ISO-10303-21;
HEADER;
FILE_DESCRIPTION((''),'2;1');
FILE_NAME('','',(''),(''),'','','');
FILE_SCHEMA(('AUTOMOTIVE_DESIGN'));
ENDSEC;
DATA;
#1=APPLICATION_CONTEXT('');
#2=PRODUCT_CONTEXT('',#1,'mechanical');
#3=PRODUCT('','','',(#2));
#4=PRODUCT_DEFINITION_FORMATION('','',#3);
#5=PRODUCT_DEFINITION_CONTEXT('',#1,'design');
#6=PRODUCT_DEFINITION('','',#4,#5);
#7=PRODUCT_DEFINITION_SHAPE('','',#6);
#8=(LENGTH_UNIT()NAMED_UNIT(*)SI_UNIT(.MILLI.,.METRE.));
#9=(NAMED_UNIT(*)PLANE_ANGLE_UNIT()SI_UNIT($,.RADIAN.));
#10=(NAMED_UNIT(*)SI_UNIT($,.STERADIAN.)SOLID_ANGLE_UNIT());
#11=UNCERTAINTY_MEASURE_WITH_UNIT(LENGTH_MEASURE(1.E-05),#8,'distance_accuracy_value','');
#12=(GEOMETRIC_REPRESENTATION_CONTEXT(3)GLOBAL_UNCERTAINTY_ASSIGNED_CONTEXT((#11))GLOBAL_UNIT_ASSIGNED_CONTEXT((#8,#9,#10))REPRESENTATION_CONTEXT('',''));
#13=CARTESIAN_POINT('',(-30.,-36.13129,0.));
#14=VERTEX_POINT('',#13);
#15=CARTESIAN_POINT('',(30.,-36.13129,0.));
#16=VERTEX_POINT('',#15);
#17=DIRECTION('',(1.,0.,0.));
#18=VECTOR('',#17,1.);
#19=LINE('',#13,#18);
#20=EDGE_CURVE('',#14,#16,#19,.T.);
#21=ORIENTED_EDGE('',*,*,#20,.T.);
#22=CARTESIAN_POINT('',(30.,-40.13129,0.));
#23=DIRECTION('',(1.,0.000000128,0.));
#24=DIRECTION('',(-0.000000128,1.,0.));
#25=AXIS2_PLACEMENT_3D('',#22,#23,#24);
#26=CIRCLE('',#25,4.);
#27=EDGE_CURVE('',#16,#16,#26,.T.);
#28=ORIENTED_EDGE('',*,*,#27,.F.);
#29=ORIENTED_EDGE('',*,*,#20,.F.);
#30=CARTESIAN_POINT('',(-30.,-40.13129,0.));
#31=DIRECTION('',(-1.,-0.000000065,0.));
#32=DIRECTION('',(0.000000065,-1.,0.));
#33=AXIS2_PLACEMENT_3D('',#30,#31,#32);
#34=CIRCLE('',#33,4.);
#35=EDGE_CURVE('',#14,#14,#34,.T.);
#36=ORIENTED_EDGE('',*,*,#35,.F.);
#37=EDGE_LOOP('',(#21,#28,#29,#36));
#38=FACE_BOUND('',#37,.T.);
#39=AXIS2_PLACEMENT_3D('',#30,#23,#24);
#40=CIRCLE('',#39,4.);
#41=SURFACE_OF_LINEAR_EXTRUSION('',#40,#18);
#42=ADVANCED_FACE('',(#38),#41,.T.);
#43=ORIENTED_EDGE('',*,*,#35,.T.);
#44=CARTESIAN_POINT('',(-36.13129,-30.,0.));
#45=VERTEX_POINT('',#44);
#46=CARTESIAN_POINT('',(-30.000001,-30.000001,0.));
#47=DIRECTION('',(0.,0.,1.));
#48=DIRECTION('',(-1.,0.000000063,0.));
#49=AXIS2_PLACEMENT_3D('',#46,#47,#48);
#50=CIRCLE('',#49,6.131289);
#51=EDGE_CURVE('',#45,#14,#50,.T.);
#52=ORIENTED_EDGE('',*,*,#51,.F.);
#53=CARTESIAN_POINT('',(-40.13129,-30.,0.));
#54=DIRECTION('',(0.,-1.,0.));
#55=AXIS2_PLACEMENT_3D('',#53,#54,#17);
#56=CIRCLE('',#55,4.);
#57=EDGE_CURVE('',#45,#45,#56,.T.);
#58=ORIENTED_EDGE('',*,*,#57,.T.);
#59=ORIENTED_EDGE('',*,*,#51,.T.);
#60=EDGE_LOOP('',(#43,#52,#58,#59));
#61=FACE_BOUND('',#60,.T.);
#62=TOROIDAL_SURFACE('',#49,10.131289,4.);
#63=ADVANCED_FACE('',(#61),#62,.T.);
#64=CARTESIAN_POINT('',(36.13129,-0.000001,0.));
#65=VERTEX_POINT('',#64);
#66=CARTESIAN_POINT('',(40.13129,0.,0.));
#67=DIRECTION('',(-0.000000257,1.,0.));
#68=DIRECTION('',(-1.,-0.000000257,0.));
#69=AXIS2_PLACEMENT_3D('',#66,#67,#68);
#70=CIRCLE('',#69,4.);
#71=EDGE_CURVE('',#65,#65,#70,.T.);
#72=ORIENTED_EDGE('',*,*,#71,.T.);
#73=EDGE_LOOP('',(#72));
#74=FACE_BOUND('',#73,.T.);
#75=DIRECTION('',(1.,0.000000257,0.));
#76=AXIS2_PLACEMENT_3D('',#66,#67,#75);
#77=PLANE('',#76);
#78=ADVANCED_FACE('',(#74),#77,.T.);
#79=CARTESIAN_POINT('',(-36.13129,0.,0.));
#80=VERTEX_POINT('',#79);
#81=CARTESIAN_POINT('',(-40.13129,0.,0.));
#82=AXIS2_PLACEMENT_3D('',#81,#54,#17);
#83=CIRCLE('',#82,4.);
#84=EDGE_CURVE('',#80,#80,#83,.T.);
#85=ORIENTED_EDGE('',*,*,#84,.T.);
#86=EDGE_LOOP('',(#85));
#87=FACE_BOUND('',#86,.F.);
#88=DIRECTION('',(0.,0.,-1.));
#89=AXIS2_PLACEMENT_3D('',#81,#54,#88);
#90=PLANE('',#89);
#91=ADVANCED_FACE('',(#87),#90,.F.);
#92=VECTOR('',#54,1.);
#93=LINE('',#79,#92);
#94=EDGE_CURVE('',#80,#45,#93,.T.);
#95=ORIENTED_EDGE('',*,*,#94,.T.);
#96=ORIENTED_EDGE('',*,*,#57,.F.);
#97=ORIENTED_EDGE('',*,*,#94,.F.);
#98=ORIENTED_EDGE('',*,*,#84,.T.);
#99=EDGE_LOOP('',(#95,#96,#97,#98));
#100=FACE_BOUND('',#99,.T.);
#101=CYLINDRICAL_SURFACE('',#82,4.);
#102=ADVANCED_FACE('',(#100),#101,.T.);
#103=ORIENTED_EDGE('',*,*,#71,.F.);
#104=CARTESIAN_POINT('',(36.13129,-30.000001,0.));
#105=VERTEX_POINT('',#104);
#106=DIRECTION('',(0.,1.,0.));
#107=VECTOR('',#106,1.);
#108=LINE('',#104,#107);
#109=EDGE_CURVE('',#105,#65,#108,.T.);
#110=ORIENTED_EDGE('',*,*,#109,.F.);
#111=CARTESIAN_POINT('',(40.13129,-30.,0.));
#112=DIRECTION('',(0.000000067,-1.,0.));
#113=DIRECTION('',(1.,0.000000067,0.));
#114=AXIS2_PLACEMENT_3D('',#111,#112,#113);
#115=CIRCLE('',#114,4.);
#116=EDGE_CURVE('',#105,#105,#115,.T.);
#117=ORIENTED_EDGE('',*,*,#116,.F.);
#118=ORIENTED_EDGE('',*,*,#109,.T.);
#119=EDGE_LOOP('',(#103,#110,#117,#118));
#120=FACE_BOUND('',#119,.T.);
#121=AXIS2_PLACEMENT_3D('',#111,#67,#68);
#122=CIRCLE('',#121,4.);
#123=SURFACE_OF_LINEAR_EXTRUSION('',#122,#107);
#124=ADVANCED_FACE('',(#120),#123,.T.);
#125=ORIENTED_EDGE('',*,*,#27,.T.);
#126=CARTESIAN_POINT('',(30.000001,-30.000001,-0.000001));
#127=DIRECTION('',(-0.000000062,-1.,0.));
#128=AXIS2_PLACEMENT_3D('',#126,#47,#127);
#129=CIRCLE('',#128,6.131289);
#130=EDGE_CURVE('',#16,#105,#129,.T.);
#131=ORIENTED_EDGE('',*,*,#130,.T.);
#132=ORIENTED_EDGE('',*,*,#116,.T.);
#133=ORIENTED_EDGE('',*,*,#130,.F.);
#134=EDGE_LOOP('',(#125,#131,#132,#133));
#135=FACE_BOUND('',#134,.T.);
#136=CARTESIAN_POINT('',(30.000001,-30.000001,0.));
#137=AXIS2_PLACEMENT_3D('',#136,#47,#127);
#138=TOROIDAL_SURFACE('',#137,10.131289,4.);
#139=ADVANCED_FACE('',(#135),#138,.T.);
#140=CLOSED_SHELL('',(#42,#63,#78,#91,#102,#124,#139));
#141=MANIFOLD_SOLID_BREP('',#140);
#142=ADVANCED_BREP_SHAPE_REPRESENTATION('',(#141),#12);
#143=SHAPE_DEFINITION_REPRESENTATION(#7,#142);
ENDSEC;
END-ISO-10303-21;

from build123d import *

# Parameters (mm, degrees)
F1_R = 4


with BuildPart() as f2:
    # F2: sweep along a path in F0
    with BuildLine(Plane.XY) as f2_path:
        Line((-40, 0), (-40, -30))
        ThreePointArc((-40, -30), (-37.071068, -37.071068), (-30, -40))
        Line((-30, -40), (0, -40))
        Line((0, -40), (30, -40))
        ThreePointArc((30, -40), (37.071068, -37.071068), (40, -30))
        Line((40, -30), (40, 0))
    # F1 (on Front) → F2 (sweep)
    with BuildSketch(Plane.XZ):
        with Locations((-40.13129, 0)):
            Circle(F1_R)
    sweep(path=f2_path.line)


solid = f2.part
